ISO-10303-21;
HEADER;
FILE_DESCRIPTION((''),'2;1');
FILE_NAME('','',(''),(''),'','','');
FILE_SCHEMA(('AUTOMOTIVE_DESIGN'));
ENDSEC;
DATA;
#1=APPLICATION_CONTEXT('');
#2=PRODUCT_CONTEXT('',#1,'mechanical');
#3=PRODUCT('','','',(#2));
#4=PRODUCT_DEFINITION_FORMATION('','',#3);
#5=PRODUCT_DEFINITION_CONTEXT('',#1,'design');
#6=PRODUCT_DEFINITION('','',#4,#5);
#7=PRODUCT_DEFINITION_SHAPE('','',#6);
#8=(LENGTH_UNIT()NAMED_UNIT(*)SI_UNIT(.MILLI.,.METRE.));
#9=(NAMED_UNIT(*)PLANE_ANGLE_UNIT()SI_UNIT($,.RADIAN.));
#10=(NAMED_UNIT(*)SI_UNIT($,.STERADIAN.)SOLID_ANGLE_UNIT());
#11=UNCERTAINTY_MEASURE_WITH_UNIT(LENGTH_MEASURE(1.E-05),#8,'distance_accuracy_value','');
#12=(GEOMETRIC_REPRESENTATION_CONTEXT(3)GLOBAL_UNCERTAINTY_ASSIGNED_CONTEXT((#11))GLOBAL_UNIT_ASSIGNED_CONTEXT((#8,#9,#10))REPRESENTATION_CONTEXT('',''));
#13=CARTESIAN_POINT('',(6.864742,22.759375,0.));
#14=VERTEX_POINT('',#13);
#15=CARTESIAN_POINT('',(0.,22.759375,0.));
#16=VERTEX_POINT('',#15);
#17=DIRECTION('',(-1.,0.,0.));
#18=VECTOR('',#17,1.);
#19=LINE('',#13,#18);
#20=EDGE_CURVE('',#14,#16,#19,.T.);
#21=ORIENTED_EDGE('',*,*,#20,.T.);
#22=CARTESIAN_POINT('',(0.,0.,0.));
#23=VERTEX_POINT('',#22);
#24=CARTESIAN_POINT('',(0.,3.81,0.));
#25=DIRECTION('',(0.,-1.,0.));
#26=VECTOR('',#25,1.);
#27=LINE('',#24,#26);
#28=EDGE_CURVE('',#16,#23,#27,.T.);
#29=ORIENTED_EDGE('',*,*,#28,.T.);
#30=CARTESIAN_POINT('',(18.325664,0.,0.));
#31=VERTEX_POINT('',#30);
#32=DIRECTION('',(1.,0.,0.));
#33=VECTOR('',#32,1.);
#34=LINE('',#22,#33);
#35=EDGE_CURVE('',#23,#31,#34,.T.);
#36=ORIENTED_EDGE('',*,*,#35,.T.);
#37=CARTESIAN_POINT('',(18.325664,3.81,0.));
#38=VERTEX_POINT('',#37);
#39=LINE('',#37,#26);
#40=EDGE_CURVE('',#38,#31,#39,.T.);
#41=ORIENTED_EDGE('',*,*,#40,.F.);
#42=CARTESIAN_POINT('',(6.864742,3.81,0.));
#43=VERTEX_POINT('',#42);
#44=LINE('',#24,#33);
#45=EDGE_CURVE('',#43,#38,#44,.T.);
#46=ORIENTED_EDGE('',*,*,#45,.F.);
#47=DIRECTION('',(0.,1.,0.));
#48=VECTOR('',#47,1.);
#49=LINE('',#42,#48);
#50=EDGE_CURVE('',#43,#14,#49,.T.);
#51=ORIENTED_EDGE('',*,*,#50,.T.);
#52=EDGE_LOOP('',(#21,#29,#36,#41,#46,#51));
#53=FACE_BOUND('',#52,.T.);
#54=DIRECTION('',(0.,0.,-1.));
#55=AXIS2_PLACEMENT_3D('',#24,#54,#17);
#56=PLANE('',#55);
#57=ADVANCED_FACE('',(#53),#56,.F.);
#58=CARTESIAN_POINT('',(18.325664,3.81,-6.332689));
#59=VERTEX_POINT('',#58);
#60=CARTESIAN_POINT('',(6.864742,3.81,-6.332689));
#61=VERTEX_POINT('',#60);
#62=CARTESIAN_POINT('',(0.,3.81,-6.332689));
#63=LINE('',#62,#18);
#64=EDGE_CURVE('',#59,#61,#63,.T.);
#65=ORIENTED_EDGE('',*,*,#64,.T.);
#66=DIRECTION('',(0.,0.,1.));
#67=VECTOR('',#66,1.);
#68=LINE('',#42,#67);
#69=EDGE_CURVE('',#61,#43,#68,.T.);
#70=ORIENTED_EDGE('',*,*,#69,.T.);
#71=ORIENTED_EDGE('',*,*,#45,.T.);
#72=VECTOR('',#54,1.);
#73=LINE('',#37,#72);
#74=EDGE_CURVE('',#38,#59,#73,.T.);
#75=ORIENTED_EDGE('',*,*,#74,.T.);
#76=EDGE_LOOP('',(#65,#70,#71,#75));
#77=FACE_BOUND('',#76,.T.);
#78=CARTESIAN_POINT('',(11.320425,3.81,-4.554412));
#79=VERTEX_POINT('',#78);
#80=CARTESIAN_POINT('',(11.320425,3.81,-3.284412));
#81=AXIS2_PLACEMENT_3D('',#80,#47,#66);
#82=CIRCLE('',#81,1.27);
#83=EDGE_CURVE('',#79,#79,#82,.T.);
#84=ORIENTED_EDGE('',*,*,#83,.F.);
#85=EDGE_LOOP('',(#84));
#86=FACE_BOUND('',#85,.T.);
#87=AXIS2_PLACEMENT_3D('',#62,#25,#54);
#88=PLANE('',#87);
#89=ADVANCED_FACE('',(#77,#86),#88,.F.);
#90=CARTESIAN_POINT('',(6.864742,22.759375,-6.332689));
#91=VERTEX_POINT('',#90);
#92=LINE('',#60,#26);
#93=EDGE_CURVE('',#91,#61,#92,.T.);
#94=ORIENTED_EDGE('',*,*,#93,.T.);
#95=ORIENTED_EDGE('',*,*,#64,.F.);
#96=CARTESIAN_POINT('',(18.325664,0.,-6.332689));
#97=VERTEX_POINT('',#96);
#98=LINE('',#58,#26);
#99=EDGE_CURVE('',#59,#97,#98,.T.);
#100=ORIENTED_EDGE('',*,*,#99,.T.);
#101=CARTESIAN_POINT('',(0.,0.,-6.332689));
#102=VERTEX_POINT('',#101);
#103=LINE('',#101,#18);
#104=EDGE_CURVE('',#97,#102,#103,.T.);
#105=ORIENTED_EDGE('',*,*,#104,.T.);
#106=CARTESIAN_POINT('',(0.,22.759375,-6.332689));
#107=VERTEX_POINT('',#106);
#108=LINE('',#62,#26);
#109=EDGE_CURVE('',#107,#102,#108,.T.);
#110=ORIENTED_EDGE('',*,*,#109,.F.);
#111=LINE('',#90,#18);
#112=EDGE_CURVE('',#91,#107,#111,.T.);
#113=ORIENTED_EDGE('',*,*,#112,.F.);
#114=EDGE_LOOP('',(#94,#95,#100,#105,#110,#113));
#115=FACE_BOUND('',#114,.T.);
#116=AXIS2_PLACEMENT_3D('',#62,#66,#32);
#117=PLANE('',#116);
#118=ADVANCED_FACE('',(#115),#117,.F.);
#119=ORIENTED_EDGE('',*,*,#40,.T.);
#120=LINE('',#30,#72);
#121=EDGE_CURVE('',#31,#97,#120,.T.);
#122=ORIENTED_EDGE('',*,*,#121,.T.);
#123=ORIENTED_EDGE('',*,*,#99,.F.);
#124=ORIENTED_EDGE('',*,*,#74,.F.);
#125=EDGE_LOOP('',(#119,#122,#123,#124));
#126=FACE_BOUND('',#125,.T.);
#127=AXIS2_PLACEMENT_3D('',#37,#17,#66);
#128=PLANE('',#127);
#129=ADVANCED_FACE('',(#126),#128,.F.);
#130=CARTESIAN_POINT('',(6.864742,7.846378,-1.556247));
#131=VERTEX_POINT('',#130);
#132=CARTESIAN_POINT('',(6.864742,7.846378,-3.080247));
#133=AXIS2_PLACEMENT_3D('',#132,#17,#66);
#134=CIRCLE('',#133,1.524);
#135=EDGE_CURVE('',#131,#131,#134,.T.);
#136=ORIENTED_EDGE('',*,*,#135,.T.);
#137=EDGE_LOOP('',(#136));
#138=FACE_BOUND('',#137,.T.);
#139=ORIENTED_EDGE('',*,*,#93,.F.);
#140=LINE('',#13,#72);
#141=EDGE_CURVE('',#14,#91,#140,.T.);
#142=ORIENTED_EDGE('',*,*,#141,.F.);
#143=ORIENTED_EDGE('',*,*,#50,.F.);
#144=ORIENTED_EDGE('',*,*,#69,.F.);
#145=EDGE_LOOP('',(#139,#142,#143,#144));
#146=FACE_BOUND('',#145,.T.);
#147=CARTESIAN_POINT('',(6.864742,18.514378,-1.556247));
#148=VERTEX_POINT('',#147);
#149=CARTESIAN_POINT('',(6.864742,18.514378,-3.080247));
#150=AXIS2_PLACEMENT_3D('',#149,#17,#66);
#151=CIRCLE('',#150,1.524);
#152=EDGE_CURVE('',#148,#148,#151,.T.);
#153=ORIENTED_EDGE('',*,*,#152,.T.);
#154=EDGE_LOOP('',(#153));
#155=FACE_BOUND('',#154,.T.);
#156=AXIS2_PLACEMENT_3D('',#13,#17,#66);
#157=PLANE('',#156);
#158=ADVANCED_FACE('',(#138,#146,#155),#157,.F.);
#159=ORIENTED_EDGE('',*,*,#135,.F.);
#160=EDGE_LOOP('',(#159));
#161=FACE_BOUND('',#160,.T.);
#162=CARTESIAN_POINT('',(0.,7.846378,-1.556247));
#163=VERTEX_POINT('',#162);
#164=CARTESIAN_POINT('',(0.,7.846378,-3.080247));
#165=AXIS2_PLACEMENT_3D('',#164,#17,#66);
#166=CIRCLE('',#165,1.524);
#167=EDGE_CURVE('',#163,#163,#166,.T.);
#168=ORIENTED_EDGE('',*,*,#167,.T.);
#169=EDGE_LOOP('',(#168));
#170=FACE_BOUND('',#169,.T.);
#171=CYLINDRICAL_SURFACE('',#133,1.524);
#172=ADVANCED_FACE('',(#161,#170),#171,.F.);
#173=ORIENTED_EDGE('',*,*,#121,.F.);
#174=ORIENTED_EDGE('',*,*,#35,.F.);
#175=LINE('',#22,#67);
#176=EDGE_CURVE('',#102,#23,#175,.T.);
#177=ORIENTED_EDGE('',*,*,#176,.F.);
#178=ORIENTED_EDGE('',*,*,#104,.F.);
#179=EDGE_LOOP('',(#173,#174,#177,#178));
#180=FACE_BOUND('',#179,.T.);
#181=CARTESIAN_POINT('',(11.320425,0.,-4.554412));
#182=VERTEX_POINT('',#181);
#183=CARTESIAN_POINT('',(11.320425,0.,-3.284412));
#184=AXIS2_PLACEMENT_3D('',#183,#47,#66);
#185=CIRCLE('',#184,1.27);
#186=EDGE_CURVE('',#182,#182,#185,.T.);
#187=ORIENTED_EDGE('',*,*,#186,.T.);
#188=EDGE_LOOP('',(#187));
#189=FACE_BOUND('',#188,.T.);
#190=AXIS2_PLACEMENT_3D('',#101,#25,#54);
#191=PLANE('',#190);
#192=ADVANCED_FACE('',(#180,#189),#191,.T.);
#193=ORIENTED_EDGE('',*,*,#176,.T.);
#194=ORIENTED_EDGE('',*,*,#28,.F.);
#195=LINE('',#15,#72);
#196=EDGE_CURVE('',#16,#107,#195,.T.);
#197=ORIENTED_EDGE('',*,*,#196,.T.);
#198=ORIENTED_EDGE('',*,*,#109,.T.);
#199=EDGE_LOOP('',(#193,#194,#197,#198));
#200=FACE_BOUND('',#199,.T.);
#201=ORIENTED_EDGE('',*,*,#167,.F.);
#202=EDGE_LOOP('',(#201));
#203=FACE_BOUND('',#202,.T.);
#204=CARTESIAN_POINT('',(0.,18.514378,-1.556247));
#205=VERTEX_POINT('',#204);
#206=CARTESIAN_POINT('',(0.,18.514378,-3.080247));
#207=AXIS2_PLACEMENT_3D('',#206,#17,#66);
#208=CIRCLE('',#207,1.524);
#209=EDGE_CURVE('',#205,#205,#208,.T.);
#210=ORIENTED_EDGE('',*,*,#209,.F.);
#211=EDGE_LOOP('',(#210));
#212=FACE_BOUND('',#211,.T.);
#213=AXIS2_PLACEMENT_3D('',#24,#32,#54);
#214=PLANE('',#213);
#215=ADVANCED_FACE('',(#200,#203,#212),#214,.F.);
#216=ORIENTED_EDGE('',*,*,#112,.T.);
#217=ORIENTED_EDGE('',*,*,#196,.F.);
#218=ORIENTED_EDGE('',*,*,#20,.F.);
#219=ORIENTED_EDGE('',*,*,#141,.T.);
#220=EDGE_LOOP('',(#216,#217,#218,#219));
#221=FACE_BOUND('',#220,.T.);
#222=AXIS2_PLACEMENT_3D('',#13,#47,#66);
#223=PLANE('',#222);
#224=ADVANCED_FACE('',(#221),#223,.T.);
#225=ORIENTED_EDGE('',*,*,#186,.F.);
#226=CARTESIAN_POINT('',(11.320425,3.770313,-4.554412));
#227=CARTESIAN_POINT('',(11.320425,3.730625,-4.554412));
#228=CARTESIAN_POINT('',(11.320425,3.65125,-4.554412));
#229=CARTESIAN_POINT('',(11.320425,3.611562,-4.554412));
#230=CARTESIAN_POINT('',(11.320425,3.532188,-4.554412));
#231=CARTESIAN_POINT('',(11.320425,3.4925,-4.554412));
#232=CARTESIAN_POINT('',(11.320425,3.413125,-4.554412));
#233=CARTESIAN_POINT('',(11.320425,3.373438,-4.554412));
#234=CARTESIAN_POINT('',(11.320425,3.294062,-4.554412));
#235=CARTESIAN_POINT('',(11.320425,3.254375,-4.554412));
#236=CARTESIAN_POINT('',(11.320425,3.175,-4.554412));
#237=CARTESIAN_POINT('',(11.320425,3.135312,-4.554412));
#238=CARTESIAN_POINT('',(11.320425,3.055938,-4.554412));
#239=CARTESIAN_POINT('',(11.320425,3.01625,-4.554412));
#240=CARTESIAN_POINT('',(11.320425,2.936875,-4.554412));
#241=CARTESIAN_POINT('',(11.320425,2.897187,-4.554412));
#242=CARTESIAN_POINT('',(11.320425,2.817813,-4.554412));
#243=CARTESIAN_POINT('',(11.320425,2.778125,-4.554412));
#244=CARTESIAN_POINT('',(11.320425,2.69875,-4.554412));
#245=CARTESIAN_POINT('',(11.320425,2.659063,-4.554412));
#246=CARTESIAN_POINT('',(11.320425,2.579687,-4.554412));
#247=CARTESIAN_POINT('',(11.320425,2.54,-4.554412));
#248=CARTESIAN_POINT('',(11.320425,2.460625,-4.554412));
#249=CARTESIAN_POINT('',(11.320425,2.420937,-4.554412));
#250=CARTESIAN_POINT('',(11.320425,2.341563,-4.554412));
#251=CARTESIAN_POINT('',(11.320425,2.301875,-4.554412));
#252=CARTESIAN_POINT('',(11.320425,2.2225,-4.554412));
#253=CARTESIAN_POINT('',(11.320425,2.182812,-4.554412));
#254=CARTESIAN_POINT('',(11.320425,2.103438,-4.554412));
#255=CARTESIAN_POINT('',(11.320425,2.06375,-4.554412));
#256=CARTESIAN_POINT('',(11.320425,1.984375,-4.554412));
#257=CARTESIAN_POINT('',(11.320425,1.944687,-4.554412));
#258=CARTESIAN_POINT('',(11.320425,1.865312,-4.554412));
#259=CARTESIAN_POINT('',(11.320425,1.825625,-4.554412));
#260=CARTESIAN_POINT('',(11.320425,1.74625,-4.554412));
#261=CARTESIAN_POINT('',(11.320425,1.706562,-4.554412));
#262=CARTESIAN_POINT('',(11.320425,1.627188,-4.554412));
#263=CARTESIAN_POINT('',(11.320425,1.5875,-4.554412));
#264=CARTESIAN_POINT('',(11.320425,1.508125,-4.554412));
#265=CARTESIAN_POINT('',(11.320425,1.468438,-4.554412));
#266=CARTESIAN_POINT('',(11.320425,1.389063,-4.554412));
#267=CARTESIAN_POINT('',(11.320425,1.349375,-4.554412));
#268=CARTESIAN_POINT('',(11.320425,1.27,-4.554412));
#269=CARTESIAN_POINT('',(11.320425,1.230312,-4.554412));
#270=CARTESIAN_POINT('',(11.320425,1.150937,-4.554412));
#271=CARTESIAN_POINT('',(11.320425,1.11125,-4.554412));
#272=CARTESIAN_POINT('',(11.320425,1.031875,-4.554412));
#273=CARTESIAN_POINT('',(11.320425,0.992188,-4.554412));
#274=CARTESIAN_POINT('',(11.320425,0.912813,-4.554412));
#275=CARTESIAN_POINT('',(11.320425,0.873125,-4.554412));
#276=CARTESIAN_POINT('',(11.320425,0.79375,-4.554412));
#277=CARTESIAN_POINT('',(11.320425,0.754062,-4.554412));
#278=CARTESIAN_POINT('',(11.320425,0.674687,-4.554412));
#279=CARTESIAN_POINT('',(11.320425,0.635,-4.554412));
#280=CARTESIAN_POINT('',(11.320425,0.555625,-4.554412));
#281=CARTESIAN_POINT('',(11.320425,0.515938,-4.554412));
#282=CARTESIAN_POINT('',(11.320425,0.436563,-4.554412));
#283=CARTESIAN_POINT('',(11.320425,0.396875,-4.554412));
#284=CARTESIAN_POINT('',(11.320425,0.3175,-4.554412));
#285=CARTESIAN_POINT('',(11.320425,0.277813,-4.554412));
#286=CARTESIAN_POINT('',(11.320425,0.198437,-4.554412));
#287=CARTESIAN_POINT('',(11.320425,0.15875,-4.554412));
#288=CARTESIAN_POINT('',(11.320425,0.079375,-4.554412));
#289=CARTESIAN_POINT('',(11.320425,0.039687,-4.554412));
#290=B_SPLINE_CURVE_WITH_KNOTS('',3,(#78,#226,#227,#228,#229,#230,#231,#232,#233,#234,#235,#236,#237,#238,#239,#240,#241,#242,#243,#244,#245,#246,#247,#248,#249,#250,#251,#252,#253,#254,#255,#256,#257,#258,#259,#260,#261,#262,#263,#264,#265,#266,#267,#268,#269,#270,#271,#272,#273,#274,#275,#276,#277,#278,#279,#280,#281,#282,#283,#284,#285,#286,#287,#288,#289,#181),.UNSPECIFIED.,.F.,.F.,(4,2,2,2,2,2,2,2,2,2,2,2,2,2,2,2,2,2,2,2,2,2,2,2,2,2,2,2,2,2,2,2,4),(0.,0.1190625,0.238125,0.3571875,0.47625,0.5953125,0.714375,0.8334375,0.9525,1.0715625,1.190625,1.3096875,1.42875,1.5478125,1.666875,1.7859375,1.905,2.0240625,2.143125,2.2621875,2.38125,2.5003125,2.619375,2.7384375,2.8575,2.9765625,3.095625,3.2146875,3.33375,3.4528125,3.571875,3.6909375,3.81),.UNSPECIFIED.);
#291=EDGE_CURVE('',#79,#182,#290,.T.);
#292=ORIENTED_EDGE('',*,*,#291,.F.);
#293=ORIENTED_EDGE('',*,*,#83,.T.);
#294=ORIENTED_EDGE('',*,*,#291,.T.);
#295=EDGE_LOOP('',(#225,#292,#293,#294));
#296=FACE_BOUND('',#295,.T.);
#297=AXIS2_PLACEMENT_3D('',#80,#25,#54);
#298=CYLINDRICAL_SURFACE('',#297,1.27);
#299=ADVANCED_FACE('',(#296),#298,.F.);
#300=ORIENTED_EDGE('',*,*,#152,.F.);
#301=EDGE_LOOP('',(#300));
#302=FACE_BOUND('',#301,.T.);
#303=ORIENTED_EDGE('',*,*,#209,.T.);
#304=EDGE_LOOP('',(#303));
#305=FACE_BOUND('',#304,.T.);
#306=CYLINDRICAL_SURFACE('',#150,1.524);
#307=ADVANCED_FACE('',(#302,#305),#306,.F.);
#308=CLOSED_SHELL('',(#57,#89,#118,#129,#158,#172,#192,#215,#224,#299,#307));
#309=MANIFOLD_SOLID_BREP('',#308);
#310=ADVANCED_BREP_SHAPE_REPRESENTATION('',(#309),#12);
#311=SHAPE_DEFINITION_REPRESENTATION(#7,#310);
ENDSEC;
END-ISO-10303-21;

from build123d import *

# Parameters (mm, degrees)
SKETCH1_W           = 18.325664351
SKETCH1_H           = 6.332689346
SKETCH1_R           = 1.27
BOSS_EXTRUDE1_DEPTH = 3.81
SKETCH2_W           = 6.332689346
SKETCH2_H           = 18.949374656
SKETCH2_R           = 1.524
BOSS_EXTRUDE2_DEPTH = 6.864742327


with BuildPart() as part:
    # Sketch1 → Boss-Extrude1 (new body)
    with BuildSketch(Plane(origin=(0, 0, 0), x_dir=(1, 0, 0), z_dir=(0, 1, 0))):
        with Locations((9.162832176, 3.166344673)):
            Rectangle(SKETCH1_W, SKETCH1_H)
        with Locations(Location((11.320424566, 3.284411685, 0), (0, 0, 90))):
            Circle(SKETCH1_R, mode=Mode.SUBTRACT)
    extrude(amount=BOSS_EXTRUDE1_DEPTH)

    # Sketch2 → Boss-Extrude2 (add)
    with BuildSketch(Plane.ZY):
        with Locations((-3.166344673, 13.284687328)):
            Rectangle(SKETCH2_W, SKETCH2_H)
        with Locations((-3.080246652, 18.514377614)):
            Circle(SKETCH2_R, mode=Mode.SUBTRACT)
        with Locations((-3.080246652, 7.846377614)):
            Circle(SKETCH2_R, mode=Mode.SUBTRACT)
    extrude(amount=-BOSS_EXTRUDE2_DEPTH)


solid = part.part
